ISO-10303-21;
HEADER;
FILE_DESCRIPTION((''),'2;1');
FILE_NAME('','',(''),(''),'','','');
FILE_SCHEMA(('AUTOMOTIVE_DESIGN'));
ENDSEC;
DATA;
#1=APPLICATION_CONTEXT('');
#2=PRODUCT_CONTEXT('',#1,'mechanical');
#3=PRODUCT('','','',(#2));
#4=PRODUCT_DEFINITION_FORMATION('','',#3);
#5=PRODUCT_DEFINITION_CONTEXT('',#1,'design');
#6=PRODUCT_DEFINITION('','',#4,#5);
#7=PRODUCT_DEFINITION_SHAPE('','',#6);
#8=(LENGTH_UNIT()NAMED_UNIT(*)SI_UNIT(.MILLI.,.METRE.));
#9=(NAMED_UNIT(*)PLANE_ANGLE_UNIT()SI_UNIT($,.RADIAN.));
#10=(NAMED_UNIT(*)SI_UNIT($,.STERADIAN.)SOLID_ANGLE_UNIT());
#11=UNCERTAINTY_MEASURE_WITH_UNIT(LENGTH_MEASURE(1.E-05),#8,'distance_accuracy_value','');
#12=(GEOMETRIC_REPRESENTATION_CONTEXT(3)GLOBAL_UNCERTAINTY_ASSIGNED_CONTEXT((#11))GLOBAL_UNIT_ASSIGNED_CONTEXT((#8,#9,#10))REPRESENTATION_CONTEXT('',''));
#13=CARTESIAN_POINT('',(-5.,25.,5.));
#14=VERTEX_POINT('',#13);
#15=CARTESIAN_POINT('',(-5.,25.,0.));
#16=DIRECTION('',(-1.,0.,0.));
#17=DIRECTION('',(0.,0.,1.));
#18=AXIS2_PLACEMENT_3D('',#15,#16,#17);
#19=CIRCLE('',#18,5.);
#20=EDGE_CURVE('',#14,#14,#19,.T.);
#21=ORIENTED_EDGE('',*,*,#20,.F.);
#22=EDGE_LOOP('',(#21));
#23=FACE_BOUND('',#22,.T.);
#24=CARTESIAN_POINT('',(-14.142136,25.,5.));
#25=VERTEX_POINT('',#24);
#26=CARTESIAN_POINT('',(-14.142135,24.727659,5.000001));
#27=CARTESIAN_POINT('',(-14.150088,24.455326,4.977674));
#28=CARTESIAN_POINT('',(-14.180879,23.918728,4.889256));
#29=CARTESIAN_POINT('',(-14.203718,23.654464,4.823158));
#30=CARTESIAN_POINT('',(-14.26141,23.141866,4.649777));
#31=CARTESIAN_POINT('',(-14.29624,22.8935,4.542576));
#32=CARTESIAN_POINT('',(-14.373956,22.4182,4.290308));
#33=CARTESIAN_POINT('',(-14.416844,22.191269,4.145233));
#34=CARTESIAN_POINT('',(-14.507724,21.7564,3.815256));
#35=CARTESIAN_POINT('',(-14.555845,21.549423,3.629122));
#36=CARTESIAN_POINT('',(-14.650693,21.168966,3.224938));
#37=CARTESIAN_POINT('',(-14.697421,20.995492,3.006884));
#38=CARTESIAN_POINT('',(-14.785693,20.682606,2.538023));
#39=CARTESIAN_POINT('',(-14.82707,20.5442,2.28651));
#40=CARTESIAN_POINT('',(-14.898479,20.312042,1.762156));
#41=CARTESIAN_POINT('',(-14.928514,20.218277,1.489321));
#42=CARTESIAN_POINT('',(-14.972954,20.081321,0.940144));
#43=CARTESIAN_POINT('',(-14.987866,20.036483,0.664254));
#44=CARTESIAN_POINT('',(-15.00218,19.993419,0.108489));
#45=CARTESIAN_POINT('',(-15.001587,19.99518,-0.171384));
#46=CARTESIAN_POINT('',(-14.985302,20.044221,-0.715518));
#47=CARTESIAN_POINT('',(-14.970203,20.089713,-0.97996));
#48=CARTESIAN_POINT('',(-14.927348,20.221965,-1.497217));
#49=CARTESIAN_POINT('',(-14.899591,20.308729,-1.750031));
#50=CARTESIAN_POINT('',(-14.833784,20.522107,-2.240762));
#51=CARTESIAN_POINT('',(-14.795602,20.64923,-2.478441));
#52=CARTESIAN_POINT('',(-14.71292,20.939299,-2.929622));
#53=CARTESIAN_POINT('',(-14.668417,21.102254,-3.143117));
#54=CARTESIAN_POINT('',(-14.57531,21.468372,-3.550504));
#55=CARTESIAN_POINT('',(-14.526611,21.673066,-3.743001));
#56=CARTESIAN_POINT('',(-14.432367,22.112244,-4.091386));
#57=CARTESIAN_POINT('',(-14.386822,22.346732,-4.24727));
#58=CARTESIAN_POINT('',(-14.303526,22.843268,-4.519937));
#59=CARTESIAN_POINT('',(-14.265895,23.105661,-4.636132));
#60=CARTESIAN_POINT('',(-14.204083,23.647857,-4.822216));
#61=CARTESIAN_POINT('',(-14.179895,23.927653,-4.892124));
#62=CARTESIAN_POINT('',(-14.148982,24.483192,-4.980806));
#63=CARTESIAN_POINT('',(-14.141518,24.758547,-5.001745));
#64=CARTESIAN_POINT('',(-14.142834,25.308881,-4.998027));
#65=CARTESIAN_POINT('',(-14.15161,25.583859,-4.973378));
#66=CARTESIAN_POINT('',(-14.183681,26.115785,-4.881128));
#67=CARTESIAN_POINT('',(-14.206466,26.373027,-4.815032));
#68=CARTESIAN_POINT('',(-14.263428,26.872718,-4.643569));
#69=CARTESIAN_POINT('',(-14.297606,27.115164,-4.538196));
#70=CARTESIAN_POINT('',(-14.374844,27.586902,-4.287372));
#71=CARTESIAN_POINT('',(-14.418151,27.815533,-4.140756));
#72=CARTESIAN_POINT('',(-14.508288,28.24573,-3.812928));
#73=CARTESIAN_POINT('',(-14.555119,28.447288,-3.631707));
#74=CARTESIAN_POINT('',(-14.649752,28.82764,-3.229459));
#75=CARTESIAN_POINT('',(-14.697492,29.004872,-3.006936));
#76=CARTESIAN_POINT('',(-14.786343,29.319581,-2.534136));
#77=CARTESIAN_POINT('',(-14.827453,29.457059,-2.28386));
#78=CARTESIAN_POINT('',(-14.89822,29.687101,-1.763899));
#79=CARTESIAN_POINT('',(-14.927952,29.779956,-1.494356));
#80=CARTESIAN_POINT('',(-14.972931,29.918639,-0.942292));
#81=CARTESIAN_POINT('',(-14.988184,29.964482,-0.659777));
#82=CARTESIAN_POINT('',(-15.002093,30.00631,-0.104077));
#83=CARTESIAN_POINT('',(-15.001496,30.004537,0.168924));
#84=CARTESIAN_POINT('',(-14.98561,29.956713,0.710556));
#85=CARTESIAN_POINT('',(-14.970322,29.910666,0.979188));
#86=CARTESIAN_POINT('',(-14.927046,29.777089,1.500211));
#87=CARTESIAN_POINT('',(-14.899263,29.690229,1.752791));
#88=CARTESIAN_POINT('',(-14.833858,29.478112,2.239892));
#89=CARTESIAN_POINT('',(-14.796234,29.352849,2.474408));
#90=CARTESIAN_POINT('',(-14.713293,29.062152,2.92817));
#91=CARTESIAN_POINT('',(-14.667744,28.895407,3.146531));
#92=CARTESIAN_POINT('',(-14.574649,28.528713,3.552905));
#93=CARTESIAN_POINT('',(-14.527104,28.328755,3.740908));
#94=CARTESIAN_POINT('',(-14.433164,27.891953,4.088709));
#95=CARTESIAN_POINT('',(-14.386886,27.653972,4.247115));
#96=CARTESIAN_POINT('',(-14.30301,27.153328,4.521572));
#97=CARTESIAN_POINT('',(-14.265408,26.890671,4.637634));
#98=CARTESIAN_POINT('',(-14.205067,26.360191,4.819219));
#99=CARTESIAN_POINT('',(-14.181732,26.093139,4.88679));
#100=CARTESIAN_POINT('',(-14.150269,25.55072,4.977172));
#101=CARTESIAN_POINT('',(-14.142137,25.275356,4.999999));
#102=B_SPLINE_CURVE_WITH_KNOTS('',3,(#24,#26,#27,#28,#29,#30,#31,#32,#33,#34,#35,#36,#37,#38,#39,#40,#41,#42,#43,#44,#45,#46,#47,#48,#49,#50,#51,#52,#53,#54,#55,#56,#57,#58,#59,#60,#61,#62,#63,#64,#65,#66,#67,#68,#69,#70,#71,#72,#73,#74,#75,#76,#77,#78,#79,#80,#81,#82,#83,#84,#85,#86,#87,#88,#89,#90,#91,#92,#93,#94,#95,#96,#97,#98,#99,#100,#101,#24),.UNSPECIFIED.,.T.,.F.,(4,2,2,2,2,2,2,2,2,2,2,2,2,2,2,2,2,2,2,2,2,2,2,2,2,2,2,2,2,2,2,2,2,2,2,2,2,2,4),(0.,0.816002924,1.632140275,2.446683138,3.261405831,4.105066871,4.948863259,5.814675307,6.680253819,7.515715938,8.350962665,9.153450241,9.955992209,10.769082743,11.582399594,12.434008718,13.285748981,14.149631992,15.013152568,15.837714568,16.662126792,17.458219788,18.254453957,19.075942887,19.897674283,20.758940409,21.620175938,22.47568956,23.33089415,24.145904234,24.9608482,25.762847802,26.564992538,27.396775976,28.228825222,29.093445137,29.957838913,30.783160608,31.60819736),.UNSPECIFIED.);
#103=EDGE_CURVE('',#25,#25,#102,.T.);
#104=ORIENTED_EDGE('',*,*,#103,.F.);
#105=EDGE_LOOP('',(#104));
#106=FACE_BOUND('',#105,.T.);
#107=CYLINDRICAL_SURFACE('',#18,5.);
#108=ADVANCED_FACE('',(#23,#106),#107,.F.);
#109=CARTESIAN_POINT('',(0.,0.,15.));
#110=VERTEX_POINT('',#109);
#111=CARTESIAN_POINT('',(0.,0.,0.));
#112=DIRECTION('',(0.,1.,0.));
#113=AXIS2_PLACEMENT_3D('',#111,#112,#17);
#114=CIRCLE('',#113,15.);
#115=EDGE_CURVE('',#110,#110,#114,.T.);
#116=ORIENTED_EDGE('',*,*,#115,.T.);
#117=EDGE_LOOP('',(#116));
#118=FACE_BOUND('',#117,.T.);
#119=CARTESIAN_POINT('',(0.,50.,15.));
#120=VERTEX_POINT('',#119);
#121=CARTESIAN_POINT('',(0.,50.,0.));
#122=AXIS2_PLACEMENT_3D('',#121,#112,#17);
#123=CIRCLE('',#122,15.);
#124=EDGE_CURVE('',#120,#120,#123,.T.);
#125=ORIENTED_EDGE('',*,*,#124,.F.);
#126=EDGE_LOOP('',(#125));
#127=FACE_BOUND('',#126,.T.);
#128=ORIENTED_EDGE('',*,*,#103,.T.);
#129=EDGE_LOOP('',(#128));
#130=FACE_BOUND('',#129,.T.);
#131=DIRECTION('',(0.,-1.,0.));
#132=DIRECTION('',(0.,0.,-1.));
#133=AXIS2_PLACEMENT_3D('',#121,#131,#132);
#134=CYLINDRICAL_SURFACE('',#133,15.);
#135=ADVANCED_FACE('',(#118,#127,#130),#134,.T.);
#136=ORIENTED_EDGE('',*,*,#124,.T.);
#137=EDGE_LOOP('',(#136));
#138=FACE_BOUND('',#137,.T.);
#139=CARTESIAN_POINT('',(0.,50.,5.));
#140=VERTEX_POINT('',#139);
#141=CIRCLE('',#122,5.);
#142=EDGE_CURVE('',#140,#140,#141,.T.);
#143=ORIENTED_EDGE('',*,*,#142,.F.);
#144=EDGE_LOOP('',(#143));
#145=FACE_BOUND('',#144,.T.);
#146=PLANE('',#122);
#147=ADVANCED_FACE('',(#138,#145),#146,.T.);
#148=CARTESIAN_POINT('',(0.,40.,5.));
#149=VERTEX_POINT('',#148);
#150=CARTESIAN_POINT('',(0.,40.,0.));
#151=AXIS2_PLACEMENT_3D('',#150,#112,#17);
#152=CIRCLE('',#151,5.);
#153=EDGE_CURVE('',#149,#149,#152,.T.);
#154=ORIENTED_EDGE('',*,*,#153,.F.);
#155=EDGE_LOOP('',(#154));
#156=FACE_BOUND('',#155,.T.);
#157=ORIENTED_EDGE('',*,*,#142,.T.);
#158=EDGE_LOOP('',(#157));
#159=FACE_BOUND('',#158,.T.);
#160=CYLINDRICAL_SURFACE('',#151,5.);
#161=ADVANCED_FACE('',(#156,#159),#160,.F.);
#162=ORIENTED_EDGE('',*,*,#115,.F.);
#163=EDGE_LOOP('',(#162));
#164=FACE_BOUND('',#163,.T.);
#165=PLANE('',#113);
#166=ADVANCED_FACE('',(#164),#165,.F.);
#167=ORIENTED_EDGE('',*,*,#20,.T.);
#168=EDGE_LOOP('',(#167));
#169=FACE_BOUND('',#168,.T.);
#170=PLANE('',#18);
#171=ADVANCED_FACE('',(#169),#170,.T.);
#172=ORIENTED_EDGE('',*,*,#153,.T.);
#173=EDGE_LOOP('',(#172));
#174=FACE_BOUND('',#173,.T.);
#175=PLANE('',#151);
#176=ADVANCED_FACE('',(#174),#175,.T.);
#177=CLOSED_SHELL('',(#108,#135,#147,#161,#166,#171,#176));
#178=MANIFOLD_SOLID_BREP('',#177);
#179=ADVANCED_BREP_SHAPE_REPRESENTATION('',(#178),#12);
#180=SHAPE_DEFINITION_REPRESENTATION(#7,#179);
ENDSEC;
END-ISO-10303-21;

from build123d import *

# Parameters (mm, degrees)
SKETCH1_R           = 15
BOSS_EXTRUDE1_DEPTH = 50
SKETCH2_R           = 5
CUT_EXTRUDE1_DEPTH  = 20
SKETCH3_R           = 5
CUT_EXTRUDE2_DEPTH  = 10


with BuildPart() as part:
    # Sketch1 → Boss-Extrude1 (new body)
    with BuildSketch(Plane(origin=(0, 0, 0), x_dir=(1, 0, 0), z_dir=(0, 1, 0))):
        Circle(SKETCH1_R)
    extrude(amount=BOSS_EXTRUDE1_DEPTH)

    # Sketch2 → Cut-Extrude1 (cut)
    with BuildSketch(Plane.ZY.offset(25)):
        with Locations((0, 25)):
            Circle(SKETCH2_R)
    extrude(amount=-CUT_EXTRUDE1_DEPTH, mode=Mode.SUBTRACT)

    # Sketch3 → Cut-Extrude2 (cut)
    with BuildSketch(Plane(origin=(0, 50, 0), x_dir=(1, 0, 0), z_dir=(0, 1, 0))):
        Circle(SKETCH3_R)
    extrude(amount=-CUT_EXTRUDE2_DEPTH, mode=Mode.SUBTRACT)


solid = part.part
